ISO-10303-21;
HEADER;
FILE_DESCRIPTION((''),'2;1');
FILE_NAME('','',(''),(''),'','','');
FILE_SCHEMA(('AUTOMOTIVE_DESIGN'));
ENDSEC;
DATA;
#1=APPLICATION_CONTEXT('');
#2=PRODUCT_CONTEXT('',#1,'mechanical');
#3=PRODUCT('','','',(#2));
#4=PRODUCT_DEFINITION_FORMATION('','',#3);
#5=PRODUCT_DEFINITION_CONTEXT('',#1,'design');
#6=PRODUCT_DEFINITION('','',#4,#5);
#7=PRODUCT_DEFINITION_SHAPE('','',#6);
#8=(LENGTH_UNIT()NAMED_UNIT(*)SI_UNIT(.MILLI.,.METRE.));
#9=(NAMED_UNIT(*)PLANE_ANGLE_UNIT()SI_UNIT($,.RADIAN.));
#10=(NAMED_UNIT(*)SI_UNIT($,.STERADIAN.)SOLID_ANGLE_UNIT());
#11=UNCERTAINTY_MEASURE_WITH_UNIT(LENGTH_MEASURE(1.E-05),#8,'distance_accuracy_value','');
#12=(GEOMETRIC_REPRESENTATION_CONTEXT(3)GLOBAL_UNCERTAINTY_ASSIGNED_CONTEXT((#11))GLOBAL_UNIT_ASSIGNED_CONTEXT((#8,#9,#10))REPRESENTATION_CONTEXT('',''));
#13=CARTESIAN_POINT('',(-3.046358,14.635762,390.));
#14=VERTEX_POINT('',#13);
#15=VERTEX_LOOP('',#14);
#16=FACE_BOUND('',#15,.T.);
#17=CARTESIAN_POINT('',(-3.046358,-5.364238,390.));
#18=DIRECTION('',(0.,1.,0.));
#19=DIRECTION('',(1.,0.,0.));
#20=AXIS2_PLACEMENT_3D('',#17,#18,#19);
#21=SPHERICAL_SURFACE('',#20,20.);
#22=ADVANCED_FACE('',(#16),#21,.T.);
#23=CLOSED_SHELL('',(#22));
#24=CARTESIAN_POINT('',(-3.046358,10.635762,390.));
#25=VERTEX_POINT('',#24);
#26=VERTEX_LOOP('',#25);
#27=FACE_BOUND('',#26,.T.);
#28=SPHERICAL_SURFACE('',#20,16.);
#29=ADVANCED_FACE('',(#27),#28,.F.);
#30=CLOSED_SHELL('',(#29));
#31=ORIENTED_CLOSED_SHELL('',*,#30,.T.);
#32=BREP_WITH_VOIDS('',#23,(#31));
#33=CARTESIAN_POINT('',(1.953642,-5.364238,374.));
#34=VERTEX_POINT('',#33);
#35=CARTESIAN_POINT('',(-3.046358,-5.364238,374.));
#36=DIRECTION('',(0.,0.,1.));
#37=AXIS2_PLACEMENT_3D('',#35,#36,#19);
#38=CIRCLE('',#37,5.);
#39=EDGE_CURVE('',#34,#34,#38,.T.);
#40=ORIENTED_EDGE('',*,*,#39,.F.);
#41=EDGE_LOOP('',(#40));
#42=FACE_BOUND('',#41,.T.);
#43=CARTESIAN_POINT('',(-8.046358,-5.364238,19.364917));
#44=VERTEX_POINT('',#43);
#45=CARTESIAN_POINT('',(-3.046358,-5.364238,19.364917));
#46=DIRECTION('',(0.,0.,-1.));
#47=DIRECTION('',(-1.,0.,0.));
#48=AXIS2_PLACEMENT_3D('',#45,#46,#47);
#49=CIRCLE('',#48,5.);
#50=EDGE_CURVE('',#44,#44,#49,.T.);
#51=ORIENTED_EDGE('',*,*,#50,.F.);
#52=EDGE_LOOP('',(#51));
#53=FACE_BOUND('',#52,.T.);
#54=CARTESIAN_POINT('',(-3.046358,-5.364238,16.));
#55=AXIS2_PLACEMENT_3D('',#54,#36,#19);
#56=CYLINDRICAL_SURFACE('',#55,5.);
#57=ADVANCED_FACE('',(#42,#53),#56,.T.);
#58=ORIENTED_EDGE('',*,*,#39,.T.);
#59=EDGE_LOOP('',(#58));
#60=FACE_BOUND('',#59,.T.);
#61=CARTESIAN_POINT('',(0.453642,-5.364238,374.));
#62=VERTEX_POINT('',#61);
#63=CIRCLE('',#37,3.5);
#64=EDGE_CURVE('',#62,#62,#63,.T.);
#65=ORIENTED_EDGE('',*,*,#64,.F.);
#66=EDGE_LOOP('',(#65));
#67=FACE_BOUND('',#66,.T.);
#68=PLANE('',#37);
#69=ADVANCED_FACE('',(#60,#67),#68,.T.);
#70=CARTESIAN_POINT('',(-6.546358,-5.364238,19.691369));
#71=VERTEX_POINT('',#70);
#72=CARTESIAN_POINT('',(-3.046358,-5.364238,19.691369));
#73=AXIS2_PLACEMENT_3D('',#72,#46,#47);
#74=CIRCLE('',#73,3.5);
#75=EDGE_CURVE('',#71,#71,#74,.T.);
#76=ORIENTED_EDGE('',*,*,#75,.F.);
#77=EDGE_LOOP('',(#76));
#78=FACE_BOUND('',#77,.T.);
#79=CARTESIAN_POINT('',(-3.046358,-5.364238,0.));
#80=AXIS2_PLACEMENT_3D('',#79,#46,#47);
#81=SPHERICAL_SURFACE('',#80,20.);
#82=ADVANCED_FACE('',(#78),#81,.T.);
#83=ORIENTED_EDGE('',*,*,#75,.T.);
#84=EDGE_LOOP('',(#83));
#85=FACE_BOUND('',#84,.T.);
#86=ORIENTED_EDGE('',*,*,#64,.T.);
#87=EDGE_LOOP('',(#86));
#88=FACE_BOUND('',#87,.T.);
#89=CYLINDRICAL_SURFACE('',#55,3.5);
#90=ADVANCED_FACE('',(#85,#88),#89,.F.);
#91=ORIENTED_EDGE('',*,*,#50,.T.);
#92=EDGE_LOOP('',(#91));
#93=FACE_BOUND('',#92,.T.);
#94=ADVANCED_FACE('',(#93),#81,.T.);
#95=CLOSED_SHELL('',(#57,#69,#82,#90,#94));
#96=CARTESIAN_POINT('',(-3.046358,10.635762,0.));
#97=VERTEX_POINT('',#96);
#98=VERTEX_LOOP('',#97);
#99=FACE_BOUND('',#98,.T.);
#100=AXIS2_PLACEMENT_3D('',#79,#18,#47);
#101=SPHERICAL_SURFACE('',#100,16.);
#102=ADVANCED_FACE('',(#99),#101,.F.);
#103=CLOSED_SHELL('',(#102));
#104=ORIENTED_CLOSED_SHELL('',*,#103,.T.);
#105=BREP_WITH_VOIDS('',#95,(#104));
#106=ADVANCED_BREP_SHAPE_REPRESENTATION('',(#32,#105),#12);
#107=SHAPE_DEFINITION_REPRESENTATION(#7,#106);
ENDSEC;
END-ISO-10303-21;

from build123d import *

# Parameters (mm, degrees)
SKETCH5_R                = 5
SKETCH5_R_2              = 3.5
BOSS_EXTRUDE2_DEPTH      = 4
BOSS_EXTRUDE3_DEPTH      = 354
BOSS_EXTRUDE3_DEPTH_BACK = 4
SKETCH5_2_R              = 5
SKETCH5_2_R_2            = 3.5


with BuildPart() as part:
    # Sketch4 → Revolve1 (revolve)
    with BuildSketch(Plane.XY):
        with BuildLine():
            Line((-3.046357616, 14.635761589), (-3.046357616, 10.635761589))
            ThreePointArc((-3.046357616, 10.635761589), (12.953642384, -5.364238411), (-3.046357616, -21.364238411))
            Line((-3.046357616, -21.364238411), (-3.046357616, -25.364238411))
            ThreePointArc((-3.046357616, -25.364238411), (16.953642384, -5.364238411), (-3.046357616, 14.635761589))
        make_face()
    revolve(axis=Axis((-3.046357616, 14.635761589, 0), (0, -1, 0)))

    # Sketch5 → Boss-Extrude2 (add)
    with BuildSketch(Plane.XY.offset(20)):
        with Locations((-3.046357616, -5.364238411)):
            Circle(SKETCH5_R)
        with Locations((-3.046357616, -5.364238411)):
            Circle(SKETCH5_R_2, mode=Mode.SUBTRACT)
    extrude(amount=-BOSS_EXTRUDE2_DEPTH)

    # Sketch5<2> → Boss-Extrude3 (add, two sides: drawn at the far end of the back side and taken through both)
    with BuildSketch(Plane.XY.offset(20).offset(-BOSS_EXTRUDE3_DEPTH_BACK)):
        with Locations((-3.046357616, -5.364238411)):
            Circle(SKETCH5_2_R)
        with Locations((-3.046357616, -5.364238411)):
            Circle(SKETCH5_2_R_2, mode=Mode.SUBTRACT)
    extrude(amount=BOSS_EXTRUDE3_DEPTH + BOSS_EXTRUDE3_DEPTH_BACK)


with BuildPart() as body_2:
    # Sketch7 → Revolve3 (revolve)
    with BuildSketch(Plane.XY.offset(390)):
        with BuildLine():
            Line((-3.046357616, 14.635761589), (-3.046357616, 10.635761589))
            ThreePointArc((-3.046357616, 10.635761589), (12.953642384, -5.364238411), (-3.046357616, -21.364238411))
            Line((-3.046357616, -21.364238411), (-3.046357616, -25.364238411))
            ThreePointArc((-3.046357616, -25.364238411), (16.953642384, -5.364238411), (-3.046357616, 14.635761589))
        make_face()
    revolve(axis=Axis((-3.046357616, 14.635761589, 390), (0, -1, 0)))


solid = Compound([part.part, body_2.part])
